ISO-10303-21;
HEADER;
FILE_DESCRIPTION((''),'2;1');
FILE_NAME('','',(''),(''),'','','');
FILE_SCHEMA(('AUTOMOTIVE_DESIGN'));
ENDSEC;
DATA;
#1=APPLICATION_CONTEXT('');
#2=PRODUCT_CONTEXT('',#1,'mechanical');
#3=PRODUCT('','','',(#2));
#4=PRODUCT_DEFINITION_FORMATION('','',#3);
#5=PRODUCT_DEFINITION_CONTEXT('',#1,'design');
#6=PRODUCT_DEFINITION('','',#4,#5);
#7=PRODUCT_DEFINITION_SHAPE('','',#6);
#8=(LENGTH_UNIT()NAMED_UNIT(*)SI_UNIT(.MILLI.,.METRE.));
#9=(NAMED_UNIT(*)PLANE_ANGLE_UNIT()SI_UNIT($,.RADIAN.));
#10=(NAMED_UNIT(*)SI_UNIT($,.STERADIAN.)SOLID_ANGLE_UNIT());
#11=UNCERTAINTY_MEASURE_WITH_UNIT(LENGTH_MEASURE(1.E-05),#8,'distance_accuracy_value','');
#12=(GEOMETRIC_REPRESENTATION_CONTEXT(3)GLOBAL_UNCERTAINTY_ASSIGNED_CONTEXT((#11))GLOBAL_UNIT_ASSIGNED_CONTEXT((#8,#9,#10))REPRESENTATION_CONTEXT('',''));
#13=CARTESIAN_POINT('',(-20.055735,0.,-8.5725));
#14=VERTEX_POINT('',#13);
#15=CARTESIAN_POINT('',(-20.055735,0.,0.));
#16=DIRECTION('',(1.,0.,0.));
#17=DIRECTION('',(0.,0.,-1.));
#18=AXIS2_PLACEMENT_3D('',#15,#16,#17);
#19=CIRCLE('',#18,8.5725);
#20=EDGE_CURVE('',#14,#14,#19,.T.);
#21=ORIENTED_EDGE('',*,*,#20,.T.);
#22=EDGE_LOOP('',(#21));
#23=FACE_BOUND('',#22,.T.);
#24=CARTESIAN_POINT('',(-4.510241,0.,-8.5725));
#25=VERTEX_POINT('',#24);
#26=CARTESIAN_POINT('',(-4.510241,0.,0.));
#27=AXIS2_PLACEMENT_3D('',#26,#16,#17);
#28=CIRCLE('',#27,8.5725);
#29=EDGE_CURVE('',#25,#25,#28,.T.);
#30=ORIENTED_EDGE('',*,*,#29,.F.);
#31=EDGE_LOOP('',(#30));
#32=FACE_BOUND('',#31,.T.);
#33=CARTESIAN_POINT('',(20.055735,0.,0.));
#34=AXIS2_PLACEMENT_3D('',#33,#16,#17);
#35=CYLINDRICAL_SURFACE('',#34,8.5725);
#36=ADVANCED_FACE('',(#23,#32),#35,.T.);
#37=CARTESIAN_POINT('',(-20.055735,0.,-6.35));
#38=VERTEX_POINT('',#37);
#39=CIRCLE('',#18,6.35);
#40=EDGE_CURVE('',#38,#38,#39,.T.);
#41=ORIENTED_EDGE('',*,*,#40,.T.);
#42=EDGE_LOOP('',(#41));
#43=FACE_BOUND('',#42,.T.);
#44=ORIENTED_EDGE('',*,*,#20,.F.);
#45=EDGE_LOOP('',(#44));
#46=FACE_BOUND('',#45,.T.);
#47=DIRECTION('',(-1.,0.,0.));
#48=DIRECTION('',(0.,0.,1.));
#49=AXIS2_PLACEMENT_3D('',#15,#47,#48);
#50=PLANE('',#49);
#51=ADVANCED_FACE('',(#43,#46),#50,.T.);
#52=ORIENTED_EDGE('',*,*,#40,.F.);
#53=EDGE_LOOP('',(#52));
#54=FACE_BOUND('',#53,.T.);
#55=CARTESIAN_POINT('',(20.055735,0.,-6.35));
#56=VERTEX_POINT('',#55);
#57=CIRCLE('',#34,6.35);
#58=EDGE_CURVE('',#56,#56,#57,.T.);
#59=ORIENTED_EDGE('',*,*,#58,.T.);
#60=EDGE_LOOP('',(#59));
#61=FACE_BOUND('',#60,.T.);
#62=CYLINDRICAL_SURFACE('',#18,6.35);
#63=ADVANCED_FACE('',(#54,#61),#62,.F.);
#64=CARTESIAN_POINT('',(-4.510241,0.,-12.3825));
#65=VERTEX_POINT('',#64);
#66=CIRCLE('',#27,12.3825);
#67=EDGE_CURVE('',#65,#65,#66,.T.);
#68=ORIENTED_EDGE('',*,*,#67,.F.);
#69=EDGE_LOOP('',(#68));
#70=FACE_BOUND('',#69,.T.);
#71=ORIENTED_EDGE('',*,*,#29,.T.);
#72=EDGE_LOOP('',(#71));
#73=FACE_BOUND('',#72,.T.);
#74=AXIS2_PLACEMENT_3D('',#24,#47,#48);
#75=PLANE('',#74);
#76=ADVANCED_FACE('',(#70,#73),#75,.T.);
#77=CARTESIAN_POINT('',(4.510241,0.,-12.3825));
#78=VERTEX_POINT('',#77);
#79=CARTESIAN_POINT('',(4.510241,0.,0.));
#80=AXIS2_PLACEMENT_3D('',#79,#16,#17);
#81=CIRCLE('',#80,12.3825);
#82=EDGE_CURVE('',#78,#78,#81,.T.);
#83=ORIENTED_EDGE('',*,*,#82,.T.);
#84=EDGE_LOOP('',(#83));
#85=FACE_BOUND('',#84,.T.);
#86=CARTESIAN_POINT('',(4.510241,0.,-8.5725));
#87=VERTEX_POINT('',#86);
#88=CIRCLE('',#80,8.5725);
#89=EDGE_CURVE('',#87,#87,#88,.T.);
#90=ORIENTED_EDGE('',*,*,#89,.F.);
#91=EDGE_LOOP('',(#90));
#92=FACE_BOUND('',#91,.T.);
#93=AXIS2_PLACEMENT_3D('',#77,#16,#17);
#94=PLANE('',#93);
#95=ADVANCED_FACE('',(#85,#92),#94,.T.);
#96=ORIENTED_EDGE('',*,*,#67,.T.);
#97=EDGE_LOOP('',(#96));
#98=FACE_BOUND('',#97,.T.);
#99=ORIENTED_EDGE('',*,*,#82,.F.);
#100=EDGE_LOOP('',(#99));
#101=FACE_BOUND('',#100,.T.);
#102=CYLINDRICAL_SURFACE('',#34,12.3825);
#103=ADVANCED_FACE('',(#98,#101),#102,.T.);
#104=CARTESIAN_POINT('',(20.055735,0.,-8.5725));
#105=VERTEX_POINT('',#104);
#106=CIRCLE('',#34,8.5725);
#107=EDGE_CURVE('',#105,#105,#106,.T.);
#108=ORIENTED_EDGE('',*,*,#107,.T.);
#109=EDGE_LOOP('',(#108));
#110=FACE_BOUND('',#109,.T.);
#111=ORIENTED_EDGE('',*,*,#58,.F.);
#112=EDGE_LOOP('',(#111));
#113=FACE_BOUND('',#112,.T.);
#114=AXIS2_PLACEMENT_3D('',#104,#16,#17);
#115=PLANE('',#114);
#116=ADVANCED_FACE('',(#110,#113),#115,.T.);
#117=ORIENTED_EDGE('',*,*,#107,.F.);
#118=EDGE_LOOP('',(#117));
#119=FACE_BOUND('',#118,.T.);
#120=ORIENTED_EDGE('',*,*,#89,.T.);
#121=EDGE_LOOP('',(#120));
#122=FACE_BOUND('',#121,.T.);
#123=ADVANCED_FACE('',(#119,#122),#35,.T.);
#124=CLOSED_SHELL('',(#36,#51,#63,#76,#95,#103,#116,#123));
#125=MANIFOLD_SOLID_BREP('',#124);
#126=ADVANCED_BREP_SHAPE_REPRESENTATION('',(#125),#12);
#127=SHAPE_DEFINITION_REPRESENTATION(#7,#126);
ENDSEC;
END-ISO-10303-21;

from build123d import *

# Parameters (mm, degrees)
CUT_EXTRUDE1_DEPTH      = 44.767370257
CUT_EXTRUDE1_DEPTH_BACK = 44.767370257
SKETCH3_R               = 6.35


with BuildPart() as part:
    # Sketch2 → Revolve1 (revolve)
    with BuildSketch(Plane(origin=(0, 0, 0), x_dir=(1, 0, 0), z_dir=(0, 1, 0))):
        Polygon((-20.055735381, 8.5725), (-4.510240996, 8.5725), (-4.510240996, 12.3825), (4.510240996, 12.3825), (4.510240996, 8.5725), (20.055735381, 8.5725), (20.055735381, 0), (-20.055735381, 0), align=None)
    revolve(axis=Axis((20.055735381, 0, 0), (-1, 0, 0)))

    # Sketch3 → Cut-Extrude1 (cut, two sides: drawn at the far end of the back side and taken through both)
    with BuildSketch(Plane(origin=(20.055735381, 0, 0), x_dir=(0, 0, -1), z_dir=(1, 0, 0)).offset(-CUT_EXTRUDE1_DEPTH_BACK)):
        Circle(SKETCH3_R)
    extrude(amount=CUT_EXTRUDE1_DEPTH + CUT_EXTRUDE1_DEPTH_BACK, mode=Mode.SUBTRACT)


solid = part.part
